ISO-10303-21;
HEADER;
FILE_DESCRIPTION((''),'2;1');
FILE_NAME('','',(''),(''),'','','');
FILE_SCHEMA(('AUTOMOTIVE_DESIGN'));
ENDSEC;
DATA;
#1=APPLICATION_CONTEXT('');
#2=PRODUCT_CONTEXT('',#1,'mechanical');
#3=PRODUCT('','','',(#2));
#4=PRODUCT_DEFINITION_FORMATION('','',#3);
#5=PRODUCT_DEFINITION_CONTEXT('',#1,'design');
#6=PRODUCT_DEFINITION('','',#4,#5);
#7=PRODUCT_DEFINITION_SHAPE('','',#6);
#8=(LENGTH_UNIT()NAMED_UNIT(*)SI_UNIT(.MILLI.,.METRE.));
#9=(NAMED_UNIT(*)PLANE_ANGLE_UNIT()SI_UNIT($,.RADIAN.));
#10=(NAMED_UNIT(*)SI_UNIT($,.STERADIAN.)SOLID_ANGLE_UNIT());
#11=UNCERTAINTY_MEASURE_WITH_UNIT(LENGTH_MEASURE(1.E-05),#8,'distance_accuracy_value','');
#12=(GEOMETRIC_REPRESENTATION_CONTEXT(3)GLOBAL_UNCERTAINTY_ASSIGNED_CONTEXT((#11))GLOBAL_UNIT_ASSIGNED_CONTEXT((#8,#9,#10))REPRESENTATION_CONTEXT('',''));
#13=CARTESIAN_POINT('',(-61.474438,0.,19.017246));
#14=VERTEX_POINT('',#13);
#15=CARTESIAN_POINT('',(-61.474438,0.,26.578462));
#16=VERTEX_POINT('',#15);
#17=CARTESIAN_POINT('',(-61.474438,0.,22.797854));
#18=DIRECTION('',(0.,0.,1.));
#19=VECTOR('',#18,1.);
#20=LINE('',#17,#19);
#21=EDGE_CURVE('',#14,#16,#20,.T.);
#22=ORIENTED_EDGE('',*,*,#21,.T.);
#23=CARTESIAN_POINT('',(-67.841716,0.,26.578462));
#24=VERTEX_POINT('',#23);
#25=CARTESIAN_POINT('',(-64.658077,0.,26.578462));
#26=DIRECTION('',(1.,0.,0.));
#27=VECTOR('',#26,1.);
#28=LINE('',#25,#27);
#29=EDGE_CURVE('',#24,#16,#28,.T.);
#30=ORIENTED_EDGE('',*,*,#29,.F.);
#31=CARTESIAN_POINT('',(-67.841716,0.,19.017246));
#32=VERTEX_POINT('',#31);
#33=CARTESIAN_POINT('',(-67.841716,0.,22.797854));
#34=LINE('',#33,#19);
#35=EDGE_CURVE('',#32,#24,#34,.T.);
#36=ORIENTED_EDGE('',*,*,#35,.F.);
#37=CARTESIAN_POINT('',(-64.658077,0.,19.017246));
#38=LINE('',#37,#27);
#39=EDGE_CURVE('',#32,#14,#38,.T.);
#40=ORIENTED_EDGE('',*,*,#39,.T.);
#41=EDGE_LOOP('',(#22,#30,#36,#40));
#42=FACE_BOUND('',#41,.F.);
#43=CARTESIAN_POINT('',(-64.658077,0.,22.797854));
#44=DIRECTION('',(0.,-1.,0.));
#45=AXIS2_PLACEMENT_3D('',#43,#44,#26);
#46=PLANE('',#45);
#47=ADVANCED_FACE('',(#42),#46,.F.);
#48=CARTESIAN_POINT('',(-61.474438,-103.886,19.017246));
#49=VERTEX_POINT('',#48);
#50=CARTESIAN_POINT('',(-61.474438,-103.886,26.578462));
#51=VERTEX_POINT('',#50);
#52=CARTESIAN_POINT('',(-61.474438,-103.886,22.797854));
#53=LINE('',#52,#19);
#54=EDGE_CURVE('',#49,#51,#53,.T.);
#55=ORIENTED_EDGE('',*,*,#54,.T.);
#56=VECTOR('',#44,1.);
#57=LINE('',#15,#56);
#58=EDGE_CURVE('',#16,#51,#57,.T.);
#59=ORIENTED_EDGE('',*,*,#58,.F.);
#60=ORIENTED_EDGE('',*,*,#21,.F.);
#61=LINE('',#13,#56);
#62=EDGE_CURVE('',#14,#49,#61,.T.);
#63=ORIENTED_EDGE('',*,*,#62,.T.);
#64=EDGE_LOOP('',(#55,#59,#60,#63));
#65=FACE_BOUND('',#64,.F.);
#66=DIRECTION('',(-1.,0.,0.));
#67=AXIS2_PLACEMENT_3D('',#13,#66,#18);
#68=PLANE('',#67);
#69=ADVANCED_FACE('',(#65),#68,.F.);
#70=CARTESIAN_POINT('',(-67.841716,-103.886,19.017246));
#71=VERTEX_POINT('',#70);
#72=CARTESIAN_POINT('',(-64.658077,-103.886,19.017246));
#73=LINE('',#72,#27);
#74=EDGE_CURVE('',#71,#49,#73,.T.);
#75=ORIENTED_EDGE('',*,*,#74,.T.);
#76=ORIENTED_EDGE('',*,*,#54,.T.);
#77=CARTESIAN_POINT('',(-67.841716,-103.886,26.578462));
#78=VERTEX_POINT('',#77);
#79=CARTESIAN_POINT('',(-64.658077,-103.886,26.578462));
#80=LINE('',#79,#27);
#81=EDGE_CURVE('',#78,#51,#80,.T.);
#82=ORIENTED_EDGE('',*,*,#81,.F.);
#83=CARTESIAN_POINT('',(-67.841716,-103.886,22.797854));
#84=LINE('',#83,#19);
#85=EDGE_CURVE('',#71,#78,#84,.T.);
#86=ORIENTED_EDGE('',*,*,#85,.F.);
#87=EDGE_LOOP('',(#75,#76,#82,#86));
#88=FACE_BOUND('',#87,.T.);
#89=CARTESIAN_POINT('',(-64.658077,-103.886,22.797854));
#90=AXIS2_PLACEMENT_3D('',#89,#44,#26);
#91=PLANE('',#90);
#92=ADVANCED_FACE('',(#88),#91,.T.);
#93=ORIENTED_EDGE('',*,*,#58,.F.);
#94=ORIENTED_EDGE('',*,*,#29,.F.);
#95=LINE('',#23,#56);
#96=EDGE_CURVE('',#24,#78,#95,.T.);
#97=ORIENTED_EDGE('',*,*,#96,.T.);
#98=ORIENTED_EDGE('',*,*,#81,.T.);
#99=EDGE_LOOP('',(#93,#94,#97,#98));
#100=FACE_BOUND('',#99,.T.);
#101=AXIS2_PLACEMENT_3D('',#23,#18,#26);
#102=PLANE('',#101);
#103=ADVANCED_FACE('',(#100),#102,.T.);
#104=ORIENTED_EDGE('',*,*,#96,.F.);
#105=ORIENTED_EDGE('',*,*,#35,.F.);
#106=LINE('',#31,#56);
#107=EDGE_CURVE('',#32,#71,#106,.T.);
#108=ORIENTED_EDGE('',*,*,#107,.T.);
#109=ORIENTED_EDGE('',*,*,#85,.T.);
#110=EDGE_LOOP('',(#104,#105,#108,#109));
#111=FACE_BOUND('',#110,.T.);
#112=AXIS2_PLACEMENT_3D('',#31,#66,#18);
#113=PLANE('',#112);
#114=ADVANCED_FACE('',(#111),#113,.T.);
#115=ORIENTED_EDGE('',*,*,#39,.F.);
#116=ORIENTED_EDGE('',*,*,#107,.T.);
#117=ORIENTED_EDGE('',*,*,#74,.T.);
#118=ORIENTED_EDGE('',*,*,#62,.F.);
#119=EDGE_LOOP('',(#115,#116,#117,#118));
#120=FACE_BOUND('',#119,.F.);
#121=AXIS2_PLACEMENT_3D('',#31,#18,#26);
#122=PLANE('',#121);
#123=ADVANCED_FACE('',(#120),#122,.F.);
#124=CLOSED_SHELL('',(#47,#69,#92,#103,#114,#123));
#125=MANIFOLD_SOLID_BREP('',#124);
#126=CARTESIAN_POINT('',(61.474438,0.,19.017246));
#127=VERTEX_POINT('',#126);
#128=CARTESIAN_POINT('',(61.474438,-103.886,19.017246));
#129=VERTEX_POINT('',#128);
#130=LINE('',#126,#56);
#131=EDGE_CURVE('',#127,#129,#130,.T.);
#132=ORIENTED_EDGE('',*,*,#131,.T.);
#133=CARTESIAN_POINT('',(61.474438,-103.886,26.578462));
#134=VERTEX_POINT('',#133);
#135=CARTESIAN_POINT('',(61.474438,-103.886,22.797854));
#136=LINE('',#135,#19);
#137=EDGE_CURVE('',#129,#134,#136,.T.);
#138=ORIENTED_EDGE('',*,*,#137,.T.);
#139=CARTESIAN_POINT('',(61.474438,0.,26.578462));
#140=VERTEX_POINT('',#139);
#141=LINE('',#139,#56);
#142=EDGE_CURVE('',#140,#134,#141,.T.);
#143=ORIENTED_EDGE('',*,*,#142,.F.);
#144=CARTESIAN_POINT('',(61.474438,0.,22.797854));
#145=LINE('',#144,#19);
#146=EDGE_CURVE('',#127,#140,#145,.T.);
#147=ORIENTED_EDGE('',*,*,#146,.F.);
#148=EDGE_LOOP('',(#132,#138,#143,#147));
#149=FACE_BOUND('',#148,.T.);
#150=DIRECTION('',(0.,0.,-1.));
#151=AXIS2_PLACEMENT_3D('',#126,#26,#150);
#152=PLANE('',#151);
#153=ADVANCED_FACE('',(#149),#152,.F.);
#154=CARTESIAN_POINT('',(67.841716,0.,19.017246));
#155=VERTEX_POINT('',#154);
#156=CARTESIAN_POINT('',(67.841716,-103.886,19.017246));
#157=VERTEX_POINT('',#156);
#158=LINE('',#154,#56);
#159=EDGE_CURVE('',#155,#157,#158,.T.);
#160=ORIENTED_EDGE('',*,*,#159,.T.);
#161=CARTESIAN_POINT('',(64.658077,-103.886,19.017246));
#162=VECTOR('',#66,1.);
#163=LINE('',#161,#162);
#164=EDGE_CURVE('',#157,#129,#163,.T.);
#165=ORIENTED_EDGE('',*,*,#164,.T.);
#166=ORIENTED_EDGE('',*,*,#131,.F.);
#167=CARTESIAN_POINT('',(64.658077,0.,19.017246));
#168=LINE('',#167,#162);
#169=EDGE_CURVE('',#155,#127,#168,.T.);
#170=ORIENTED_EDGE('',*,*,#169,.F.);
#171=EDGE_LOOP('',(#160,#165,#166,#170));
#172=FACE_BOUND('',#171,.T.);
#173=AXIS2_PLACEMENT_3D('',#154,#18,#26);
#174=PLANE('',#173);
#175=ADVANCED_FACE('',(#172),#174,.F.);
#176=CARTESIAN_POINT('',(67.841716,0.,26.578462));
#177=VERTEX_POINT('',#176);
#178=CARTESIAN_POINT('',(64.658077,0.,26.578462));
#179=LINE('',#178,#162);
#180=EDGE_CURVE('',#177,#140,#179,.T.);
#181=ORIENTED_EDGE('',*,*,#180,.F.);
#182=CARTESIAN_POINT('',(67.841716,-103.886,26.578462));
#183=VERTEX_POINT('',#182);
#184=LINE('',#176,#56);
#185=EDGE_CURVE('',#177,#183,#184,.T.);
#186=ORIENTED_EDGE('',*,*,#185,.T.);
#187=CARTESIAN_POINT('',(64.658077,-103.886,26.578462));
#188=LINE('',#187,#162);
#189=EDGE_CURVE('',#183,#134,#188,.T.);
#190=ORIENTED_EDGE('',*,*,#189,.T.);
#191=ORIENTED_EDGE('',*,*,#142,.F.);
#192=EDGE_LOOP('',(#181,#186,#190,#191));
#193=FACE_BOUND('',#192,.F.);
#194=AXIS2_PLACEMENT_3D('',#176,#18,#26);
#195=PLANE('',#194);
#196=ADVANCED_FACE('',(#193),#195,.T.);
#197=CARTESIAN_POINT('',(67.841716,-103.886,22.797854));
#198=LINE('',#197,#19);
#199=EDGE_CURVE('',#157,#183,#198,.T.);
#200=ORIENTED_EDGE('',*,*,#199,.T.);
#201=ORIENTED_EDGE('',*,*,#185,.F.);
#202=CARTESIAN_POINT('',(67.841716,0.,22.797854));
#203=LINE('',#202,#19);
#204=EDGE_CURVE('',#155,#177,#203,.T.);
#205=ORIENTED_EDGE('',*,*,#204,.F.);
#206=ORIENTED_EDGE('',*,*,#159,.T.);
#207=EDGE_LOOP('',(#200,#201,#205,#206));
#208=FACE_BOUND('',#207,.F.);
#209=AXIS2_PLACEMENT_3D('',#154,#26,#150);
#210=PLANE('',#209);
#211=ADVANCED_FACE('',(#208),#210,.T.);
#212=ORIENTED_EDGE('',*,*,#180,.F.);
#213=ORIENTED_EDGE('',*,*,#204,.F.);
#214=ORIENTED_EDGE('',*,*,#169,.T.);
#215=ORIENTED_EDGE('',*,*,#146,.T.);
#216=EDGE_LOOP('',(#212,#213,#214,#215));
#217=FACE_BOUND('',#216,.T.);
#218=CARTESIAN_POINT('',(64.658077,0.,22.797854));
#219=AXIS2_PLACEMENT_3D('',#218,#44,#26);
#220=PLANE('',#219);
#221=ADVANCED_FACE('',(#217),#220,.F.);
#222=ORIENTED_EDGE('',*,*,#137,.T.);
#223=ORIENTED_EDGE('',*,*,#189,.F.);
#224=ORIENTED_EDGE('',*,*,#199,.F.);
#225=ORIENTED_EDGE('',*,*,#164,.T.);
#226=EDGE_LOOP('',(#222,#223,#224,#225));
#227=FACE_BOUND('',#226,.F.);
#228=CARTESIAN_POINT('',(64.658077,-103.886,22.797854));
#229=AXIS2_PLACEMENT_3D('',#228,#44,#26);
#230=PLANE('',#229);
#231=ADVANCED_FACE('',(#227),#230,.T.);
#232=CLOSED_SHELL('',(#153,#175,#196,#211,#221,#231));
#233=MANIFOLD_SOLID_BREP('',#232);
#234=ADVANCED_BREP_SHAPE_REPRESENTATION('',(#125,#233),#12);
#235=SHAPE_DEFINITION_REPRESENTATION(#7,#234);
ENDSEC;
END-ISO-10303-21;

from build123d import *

# Parameters (mm, degrees)
F0_W     = 6.367277
F0_H     = 7.561216
F1_DEPTH = 103.886


with BuildPart() as f1:
    # F0 (on Front) → F1 (new body)
    with BuildSketch(Plane.XZ):
        with Locations((-64.658077, 22.797854)):
            Rectangle(F0_W, F0_H)
    extrude(amount=F1_DEPTH)


with BuildPart() as f2_1:
    # F2: instance of F1
    add(f1.part.mirror(Plane.YZ))


solid = Compound([f1.part, f2_1.part])
